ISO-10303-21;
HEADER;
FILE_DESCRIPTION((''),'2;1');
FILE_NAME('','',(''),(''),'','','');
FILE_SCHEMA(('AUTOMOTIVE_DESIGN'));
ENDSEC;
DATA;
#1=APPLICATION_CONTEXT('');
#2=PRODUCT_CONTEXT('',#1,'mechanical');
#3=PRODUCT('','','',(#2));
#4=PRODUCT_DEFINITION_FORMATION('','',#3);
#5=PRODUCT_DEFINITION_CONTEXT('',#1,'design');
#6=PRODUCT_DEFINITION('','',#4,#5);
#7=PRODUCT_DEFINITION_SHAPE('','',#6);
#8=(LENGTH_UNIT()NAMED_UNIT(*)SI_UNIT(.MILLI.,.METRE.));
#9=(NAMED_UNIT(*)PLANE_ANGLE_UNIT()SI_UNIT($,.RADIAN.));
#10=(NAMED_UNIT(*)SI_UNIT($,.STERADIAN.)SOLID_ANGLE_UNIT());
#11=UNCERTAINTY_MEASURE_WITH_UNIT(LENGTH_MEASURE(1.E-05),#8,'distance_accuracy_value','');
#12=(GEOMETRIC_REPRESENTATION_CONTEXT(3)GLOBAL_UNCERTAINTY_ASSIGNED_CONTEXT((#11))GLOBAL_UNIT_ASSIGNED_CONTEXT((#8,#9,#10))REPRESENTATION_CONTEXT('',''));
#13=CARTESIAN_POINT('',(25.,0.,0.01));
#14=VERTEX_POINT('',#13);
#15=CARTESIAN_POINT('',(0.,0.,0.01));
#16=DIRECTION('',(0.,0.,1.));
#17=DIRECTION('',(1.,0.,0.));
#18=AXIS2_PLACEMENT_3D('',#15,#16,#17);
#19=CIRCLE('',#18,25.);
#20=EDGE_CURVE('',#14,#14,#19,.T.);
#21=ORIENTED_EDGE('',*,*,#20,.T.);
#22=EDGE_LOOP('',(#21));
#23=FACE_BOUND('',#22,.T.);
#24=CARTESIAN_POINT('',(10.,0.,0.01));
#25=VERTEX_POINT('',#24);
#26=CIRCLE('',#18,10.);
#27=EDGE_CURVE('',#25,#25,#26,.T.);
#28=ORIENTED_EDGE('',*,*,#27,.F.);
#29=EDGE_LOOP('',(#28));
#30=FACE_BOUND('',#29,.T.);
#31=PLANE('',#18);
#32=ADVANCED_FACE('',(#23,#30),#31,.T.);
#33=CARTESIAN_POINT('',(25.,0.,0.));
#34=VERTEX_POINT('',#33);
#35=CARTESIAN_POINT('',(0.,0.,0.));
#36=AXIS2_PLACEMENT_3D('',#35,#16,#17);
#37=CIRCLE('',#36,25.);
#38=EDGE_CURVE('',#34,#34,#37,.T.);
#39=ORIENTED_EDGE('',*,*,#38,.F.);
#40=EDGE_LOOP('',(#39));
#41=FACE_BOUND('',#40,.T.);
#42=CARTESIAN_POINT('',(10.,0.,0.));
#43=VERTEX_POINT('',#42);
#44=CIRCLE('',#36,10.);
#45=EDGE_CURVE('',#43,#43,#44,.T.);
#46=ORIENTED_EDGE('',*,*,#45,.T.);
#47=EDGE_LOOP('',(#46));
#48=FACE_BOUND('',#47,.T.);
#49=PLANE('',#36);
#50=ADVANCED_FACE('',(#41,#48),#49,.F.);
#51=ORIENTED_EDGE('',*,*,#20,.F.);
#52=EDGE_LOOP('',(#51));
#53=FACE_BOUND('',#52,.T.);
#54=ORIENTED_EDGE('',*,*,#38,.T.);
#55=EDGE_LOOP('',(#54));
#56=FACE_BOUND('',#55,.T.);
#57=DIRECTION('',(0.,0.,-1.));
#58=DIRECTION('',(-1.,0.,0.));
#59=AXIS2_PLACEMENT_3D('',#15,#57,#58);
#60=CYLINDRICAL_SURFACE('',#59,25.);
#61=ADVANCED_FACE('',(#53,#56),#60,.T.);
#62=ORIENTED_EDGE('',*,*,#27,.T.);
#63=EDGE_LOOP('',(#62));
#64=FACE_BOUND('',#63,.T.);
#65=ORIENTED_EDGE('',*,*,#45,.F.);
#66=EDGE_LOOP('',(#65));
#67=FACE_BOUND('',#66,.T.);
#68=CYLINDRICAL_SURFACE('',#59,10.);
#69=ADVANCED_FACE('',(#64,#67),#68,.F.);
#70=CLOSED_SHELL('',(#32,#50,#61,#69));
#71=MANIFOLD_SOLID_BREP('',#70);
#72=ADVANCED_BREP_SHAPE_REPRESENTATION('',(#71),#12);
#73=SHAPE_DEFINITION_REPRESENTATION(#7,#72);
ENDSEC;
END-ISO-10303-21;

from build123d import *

# Parameters (mm, degrees)
SZKIC1_R                    = 25
SZKIC1_R_2                  = 10
DODANIE_WYCI_GNI_CIE1_DEPTH = 0.01


with BuildPart() as part:
    # Szkic1 → Dodanie-wyciągnięcie1 (new body)
    with BuildSketch(Plane.XY):
        Circle(SZKIC1_R)
        Circle(SZKIC1_R_2, mode=Mode.SUBTRACT)
    extrude(amount=DODANIE_WYCI_GNI_CIE1_DEPTH)


solid = part.part
